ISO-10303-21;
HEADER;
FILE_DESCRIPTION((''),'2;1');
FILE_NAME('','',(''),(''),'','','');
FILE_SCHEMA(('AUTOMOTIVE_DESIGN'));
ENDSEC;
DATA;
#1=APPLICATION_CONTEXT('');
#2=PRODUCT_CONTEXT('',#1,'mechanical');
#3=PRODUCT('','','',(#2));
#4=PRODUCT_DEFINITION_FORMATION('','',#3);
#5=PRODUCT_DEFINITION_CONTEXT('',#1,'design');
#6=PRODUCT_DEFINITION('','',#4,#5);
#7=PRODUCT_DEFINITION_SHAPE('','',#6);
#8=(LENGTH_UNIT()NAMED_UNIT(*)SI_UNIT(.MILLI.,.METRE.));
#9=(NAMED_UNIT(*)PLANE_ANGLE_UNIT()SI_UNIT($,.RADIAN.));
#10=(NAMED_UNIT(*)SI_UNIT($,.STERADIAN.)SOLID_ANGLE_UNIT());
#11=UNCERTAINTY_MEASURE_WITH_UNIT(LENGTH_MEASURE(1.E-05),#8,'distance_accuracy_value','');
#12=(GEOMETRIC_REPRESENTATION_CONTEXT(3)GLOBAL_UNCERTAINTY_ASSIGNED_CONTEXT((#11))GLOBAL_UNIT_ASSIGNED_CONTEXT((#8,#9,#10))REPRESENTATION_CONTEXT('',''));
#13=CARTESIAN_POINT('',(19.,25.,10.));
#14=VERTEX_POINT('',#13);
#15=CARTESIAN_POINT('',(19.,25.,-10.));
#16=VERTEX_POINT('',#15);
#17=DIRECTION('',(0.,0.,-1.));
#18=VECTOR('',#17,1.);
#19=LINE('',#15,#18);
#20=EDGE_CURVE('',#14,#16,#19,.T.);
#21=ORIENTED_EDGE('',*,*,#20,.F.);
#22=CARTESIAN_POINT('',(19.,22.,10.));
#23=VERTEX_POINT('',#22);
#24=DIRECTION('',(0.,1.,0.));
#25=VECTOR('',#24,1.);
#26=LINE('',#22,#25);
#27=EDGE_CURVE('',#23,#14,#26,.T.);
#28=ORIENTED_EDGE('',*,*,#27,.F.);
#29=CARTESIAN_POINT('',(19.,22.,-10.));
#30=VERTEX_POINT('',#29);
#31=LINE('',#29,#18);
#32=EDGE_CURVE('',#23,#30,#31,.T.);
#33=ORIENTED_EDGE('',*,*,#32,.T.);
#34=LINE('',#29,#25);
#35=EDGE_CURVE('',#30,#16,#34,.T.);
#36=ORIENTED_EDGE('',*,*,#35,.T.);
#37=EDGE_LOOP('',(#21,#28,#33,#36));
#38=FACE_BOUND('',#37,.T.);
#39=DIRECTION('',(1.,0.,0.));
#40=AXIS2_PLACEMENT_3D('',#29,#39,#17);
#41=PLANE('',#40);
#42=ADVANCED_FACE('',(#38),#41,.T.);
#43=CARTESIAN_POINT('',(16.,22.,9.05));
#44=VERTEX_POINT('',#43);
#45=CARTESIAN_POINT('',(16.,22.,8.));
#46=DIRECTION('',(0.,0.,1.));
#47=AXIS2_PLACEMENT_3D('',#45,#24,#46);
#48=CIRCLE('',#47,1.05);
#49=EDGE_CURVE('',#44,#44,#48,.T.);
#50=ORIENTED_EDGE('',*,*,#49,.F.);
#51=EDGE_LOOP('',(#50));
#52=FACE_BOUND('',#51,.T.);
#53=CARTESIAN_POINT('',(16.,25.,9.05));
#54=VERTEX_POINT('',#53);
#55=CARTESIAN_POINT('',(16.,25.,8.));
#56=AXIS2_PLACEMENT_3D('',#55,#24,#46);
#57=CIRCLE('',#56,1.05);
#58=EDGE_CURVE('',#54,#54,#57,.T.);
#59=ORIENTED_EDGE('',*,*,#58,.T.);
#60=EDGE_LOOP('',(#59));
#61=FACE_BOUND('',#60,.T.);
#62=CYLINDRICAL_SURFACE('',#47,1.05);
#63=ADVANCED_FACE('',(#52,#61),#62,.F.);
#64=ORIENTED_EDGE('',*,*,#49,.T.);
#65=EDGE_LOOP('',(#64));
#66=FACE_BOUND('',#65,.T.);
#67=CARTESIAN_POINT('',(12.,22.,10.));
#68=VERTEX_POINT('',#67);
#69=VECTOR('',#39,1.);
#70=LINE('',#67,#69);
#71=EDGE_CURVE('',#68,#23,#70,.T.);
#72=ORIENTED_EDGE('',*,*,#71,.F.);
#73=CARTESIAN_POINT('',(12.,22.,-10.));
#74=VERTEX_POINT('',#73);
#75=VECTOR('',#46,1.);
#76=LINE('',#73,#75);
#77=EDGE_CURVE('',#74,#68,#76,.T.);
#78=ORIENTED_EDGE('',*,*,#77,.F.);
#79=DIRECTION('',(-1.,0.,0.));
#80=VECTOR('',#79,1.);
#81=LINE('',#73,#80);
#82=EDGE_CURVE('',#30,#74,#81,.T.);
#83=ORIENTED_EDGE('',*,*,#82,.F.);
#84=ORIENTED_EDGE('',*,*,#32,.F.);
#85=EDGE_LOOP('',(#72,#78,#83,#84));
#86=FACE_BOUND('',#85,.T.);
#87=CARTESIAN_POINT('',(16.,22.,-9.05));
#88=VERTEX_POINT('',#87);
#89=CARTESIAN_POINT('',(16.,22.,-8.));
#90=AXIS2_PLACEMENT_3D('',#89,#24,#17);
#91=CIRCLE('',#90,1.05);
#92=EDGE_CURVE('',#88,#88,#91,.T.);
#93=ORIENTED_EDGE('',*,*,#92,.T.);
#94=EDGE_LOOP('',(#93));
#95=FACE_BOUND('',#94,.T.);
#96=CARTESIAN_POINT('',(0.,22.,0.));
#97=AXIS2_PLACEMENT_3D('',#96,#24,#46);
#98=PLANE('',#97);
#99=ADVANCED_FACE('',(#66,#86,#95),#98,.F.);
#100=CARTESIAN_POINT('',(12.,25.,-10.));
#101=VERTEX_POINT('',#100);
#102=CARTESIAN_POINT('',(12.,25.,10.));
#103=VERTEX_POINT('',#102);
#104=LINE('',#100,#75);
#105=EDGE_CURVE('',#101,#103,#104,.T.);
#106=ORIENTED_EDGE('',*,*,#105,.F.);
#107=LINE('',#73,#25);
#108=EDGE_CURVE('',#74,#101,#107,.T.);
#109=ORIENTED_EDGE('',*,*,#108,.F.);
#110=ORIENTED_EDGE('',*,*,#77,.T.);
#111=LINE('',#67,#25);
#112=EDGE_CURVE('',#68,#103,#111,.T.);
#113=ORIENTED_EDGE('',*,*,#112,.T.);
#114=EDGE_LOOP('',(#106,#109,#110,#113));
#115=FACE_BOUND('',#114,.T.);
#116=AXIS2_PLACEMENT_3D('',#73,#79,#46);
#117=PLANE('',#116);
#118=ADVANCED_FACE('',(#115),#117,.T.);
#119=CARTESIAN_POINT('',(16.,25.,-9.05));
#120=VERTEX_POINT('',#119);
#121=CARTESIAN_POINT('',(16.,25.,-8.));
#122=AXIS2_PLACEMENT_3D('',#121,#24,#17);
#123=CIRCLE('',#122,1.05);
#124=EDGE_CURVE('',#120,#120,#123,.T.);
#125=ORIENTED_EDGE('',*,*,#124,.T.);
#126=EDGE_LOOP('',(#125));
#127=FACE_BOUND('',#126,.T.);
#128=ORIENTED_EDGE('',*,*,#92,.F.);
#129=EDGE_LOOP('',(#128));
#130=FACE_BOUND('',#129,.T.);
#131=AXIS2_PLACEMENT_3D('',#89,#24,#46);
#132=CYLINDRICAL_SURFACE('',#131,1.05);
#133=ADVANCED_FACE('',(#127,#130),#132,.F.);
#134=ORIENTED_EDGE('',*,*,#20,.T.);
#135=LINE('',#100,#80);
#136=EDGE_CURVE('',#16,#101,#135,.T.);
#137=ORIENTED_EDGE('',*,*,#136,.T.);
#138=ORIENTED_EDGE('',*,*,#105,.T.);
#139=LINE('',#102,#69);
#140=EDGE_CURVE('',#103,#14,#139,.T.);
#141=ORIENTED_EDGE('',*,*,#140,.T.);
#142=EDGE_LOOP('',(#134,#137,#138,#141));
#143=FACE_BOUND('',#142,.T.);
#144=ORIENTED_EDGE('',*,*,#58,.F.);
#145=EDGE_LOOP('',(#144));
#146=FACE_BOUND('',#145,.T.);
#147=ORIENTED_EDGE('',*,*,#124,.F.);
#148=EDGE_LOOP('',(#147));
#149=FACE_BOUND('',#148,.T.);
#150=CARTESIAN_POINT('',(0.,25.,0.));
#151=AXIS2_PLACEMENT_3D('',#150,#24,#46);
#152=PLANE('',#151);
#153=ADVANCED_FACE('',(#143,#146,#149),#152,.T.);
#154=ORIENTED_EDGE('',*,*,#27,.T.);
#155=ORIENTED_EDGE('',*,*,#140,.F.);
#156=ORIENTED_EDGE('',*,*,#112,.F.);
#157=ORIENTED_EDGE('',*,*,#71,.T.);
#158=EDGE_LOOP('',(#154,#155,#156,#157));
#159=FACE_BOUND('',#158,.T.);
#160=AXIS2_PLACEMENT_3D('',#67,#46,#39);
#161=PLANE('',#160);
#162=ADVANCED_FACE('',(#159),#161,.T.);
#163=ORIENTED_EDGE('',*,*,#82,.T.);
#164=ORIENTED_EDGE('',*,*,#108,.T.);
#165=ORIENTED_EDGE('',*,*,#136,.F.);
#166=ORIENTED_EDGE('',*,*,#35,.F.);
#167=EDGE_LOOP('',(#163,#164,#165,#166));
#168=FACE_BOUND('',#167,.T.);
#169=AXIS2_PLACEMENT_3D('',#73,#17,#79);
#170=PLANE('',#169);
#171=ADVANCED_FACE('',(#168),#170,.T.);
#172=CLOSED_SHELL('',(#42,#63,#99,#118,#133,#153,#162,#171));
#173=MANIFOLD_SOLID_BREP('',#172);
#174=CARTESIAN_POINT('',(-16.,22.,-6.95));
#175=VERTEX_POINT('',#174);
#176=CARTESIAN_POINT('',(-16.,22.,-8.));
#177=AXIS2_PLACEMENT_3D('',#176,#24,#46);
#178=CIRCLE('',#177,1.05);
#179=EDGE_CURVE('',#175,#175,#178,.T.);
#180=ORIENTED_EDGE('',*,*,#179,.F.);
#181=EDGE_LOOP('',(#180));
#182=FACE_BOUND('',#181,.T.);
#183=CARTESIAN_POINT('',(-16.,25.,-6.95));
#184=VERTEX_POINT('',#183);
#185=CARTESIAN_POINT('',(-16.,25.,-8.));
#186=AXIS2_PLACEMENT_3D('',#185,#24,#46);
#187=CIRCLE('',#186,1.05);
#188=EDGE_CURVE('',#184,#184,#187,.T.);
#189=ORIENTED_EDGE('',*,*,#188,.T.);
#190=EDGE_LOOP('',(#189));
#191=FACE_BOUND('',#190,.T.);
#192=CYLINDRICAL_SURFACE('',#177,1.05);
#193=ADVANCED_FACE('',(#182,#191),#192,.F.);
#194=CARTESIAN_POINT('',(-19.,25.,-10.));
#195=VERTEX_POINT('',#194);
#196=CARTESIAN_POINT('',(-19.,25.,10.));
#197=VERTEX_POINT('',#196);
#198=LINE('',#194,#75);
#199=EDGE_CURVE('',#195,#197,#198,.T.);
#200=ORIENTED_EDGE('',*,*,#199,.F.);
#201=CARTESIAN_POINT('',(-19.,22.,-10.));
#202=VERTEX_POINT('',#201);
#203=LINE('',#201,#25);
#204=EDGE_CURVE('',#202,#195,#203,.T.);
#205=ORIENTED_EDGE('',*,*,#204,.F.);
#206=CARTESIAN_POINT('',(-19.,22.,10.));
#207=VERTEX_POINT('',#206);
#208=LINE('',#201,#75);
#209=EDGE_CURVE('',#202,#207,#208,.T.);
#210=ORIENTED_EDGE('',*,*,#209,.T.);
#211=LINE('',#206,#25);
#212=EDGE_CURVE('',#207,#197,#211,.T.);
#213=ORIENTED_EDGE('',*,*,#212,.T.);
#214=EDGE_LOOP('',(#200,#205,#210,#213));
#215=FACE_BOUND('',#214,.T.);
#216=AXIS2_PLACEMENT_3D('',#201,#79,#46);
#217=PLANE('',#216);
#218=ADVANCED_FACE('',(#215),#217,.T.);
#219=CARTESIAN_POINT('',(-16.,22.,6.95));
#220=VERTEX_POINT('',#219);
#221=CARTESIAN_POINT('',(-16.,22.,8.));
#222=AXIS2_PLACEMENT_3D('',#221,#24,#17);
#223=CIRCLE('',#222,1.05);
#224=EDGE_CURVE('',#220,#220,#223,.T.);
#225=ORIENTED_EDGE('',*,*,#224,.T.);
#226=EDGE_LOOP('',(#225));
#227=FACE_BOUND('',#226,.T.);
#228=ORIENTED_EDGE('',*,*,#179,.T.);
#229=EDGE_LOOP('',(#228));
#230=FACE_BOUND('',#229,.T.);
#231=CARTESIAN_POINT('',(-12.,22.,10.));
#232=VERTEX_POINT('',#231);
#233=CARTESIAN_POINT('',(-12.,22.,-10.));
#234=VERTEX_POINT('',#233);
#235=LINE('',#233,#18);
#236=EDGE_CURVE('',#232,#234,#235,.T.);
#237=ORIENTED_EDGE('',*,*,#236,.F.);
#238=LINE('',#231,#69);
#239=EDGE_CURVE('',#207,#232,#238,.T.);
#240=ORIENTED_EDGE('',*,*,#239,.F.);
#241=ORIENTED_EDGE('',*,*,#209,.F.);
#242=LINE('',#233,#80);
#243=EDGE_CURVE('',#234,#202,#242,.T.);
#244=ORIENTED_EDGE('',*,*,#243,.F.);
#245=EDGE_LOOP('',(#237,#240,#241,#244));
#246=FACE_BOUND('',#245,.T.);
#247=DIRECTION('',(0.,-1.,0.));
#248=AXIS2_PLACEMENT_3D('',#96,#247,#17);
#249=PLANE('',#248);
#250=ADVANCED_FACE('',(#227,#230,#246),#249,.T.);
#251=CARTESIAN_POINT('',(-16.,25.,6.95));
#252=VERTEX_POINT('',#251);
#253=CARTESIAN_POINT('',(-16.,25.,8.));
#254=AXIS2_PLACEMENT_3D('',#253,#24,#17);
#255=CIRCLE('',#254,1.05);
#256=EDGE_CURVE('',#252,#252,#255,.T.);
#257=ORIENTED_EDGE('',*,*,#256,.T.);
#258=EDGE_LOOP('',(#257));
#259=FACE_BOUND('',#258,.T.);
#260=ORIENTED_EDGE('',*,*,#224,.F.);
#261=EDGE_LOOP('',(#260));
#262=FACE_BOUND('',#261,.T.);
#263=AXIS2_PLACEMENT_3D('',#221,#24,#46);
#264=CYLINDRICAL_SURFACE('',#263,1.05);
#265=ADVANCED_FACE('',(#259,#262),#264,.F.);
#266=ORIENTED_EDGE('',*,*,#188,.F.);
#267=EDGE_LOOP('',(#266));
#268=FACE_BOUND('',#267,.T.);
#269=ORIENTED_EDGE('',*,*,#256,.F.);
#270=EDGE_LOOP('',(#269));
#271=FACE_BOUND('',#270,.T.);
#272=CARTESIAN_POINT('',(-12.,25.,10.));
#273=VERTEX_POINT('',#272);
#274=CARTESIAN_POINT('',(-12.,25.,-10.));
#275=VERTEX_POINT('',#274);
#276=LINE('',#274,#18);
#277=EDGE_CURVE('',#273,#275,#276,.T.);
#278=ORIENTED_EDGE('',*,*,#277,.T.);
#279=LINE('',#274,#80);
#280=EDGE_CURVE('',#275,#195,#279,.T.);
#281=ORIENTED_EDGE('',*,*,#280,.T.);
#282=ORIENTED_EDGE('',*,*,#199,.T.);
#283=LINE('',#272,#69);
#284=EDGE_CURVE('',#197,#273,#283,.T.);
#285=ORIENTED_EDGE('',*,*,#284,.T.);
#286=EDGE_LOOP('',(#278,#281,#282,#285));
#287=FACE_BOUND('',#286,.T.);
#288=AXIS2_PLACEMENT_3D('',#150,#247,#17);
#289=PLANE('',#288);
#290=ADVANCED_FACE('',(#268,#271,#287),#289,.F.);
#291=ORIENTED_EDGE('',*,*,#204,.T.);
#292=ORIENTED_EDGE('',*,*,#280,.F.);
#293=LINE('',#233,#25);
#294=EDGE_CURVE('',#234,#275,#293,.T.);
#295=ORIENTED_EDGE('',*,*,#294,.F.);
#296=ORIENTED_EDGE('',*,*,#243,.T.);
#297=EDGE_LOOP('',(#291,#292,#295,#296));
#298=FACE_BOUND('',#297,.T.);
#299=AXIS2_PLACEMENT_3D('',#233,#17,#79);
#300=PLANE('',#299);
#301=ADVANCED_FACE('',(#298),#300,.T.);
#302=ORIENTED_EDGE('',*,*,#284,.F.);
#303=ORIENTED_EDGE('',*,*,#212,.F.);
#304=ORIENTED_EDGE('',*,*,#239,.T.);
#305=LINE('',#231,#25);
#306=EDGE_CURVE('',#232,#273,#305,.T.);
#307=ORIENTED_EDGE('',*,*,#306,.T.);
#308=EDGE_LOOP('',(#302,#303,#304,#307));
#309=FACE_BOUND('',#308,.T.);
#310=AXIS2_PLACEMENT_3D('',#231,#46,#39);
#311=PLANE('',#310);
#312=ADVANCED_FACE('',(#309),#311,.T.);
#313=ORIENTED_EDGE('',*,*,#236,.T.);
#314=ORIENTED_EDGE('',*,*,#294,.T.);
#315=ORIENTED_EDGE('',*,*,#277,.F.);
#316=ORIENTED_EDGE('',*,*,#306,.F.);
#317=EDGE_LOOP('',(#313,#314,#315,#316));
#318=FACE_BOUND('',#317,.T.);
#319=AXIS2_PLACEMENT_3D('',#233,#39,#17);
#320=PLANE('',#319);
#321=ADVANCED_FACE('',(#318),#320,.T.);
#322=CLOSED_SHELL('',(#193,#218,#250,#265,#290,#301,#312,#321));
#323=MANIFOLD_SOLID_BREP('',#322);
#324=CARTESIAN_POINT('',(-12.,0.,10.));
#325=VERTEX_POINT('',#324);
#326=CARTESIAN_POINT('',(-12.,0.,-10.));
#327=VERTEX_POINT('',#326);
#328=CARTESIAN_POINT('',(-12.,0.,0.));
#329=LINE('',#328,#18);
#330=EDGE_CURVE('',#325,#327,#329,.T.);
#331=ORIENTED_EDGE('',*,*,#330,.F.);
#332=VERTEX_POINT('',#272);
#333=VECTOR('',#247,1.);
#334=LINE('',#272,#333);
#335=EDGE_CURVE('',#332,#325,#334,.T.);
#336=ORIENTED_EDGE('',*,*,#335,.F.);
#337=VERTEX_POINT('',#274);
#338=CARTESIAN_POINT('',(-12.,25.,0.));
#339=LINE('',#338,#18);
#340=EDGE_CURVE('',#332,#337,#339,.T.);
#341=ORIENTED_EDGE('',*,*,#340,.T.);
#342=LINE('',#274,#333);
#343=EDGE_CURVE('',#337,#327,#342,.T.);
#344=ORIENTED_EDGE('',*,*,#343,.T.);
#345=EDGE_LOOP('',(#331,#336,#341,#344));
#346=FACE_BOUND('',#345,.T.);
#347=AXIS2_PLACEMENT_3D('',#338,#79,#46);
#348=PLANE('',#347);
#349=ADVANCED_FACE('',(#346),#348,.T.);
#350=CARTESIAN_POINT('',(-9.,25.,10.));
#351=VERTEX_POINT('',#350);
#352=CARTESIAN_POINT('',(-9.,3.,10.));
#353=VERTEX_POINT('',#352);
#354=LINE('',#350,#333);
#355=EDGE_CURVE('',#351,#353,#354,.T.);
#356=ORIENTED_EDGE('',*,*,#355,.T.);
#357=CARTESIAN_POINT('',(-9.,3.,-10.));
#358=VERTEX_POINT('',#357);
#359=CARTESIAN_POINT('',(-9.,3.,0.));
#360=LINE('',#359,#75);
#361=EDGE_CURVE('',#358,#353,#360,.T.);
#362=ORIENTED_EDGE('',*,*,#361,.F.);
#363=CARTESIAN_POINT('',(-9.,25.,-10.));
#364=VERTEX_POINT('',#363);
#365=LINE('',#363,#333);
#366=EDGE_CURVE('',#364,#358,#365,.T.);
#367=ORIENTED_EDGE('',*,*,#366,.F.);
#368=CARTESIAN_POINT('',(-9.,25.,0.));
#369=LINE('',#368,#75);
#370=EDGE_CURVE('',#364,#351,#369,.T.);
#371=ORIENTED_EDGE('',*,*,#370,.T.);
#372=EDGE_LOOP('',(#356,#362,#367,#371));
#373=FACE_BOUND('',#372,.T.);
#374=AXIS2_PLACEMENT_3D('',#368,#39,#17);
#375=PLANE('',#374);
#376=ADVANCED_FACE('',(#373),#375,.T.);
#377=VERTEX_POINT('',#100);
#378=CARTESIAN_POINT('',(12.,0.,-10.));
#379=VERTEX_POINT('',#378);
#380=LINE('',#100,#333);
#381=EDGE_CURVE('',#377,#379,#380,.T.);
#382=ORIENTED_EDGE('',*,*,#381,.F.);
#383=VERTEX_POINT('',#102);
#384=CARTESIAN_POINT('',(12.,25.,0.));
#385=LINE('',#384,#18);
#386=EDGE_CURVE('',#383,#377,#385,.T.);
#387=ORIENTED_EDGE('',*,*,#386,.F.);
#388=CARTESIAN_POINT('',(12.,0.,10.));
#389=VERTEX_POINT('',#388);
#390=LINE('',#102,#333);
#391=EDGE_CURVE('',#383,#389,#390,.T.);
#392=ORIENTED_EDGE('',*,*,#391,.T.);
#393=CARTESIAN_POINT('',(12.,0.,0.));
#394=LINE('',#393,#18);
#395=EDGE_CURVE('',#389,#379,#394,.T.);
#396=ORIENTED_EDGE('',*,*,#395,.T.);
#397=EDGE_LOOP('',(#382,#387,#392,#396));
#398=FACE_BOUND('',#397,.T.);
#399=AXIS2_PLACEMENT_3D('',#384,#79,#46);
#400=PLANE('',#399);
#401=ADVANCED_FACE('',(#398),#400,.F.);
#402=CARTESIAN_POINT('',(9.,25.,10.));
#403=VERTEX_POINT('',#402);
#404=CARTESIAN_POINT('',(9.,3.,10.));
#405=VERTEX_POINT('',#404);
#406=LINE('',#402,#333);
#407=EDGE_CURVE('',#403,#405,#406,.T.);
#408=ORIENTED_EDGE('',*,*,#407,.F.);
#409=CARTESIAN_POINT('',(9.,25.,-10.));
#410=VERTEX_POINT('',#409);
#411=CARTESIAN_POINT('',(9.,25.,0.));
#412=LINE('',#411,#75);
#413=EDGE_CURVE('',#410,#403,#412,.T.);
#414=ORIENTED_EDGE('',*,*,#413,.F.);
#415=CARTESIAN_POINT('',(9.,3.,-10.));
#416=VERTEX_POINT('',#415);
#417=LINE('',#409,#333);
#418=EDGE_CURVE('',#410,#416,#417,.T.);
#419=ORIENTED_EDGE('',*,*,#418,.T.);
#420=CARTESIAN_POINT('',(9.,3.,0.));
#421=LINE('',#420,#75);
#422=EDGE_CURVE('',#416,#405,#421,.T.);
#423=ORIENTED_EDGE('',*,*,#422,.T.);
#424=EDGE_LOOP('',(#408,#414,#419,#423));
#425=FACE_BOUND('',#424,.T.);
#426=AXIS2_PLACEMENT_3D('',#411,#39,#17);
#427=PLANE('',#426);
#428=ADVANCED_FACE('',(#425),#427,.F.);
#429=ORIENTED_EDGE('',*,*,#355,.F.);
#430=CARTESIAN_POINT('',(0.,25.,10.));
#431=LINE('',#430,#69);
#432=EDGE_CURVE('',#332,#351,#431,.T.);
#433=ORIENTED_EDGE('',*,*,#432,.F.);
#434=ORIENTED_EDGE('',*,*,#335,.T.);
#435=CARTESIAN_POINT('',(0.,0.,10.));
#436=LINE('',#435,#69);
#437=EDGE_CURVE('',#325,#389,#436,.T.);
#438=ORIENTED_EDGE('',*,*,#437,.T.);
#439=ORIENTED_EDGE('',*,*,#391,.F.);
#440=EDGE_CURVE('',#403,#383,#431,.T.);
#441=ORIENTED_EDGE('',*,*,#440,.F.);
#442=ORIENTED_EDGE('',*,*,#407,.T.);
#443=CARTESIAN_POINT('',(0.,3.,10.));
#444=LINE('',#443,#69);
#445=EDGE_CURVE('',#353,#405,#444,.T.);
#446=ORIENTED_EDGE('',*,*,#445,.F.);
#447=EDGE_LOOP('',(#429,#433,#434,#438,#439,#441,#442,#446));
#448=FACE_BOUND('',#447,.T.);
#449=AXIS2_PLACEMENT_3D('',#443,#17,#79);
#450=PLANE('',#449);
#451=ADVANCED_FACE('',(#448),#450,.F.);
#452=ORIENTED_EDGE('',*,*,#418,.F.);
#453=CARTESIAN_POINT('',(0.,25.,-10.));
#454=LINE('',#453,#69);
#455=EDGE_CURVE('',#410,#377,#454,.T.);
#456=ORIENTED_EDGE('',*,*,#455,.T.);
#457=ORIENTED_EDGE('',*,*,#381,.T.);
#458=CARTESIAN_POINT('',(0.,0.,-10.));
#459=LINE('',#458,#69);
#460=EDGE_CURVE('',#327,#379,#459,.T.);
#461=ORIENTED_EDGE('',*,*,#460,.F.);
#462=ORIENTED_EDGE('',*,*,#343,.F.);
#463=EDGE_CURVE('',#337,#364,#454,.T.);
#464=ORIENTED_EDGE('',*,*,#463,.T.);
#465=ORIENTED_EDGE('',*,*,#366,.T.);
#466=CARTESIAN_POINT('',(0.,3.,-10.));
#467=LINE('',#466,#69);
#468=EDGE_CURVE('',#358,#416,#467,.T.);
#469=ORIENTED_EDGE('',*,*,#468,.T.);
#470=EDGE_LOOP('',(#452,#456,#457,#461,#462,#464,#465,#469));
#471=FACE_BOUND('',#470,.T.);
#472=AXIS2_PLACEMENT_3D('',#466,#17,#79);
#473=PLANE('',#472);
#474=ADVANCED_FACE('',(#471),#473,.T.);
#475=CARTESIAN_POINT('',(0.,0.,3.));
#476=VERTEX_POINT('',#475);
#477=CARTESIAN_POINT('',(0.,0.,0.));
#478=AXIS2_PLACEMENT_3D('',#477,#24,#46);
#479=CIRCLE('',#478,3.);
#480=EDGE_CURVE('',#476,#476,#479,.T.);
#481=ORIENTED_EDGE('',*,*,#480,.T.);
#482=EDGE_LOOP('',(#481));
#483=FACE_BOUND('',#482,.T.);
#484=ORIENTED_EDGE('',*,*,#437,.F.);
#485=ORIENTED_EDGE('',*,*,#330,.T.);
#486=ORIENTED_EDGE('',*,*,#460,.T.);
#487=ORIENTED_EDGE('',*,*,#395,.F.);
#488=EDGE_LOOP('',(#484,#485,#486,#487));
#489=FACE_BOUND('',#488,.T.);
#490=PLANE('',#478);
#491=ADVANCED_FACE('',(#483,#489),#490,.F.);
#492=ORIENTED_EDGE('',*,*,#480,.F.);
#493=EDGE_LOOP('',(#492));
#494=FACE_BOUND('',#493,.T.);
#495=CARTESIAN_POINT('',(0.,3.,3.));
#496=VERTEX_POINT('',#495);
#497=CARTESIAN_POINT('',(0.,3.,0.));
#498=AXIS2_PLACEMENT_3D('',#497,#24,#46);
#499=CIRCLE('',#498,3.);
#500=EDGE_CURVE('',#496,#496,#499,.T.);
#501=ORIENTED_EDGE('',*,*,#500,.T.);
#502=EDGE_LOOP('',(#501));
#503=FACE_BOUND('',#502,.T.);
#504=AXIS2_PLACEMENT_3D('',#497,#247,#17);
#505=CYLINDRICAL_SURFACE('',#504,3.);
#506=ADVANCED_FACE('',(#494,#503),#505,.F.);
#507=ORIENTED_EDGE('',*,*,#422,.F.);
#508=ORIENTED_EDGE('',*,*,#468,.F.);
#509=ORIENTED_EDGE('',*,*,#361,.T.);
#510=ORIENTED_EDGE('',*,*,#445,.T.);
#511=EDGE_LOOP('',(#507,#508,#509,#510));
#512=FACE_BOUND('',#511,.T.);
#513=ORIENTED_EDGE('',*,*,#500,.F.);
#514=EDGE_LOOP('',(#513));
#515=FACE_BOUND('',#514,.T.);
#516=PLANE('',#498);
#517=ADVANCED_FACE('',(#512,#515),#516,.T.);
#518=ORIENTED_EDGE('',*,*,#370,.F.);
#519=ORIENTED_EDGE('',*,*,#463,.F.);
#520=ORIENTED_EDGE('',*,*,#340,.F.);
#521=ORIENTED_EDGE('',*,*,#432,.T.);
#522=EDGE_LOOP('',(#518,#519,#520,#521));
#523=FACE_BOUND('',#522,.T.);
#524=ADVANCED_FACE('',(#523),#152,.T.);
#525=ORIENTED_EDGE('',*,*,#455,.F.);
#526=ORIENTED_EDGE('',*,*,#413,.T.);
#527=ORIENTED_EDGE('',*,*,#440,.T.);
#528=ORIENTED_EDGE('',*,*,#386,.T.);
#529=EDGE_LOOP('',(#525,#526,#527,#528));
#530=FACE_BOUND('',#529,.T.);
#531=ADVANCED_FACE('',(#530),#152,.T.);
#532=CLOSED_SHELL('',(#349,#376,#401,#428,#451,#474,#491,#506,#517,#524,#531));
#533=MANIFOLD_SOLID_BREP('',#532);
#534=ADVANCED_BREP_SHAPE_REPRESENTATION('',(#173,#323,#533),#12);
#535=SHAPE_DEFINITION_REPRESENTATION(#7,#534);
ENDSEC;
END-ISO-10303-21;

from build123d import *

# Parameters (mm, degrees)
SKETCH_1_W        = 18
SKETCH_1_H        = 20
SKETCH_1_R        = 3
EXTRUDE_2_DEPTH   = 3
SKETCH_1_3_W      = 3
SKETCH_1_3_H      = 20
EXTRUDE_3_DEPTH   = 25
SKETCH_2_W        = 7
SKETCH_2_H        = 20
SKETCH_2_R        = 1.05
EXTRUDE_4_DEPTH   = 3
EXTRUDE_4_2_DEPTH = 3


with BuildPart() as part:
    # 草圖1 → 填料-伸長2 (new body)
    with BuildSketch(Plane(origin=(0, 0, 0), x_dir=(1, 0, 0), z_dir=(0, 1, 0))):
        Rectangle(SKETCH_1_W, SKETCH_1_H)
        Circle(SKETCH_1_R, mode=Mode.SUBTRACT)
    extrude(amount=EXTRUDE_2_DEPTH)

    # 草圖1<3> → 填料-伸長3 (add)
    with BuildSketch(Plane(origin=(0, 0, 0), x_dir=(1, 0, 0), z_dir=(0, 1, 0))):
        with Locations((-10.5, 0)):
            Rectangle(SKETCH_1_3_W, SKETCH_1_3_H)
        with Locations((10.5, 0)):
            Rectangle(SKETCH_1_3_W, SKETCH_1_3_H)
    extrude(amount=EXTRUDE_3_DEPTH)


with BuildPart() as body_2:
    # 草圖2 → 填料-伸長4 (new body)
    with BuildSketch(Plane(origin=(0, 25, 0), x_dir=(1, 0, 0), z_dir=(0, 1, 0))):
        with Locations((-15.5, 0)):
            Rectangle(SKETCH_2_W, SKETCH_2_H)
        with Locations((-16, 8)):
            Circle(SKETCH_2_R, mode=Mode.SUBTRACT)
        with Locations((-16, -8)):
            Circle(SKETCH_2_R, mode=Mode.SUBTRACT)
    extrude(amount=-EXTRUDE_4_DEPTH)


with BuildPart() as body_3:
    # 草圖2 → Extrude 4 2 (new body)
    with BuildSketch(Plane(origin=(0, 25, 0), x_dir=(1, 0, 0), z_dir=(0, 1, 0))):
        with Locations((15.5, 0)):
            Rectangle(SKETCH_2_W, SKETCH_2_H)
        with Locations((16, 8)):
            Circle(SKETCH_2_R, mode=Mode.SUBTRACT)
        with Locations((16, -8)):
            Circle(SKETCH_2_R, mode=Mode.SUBTRACT)
    extrude(amount=-EXTRUDE_4_2_DEPTH)


solid = Compound([part.part, body_2.part, body_3.part])
